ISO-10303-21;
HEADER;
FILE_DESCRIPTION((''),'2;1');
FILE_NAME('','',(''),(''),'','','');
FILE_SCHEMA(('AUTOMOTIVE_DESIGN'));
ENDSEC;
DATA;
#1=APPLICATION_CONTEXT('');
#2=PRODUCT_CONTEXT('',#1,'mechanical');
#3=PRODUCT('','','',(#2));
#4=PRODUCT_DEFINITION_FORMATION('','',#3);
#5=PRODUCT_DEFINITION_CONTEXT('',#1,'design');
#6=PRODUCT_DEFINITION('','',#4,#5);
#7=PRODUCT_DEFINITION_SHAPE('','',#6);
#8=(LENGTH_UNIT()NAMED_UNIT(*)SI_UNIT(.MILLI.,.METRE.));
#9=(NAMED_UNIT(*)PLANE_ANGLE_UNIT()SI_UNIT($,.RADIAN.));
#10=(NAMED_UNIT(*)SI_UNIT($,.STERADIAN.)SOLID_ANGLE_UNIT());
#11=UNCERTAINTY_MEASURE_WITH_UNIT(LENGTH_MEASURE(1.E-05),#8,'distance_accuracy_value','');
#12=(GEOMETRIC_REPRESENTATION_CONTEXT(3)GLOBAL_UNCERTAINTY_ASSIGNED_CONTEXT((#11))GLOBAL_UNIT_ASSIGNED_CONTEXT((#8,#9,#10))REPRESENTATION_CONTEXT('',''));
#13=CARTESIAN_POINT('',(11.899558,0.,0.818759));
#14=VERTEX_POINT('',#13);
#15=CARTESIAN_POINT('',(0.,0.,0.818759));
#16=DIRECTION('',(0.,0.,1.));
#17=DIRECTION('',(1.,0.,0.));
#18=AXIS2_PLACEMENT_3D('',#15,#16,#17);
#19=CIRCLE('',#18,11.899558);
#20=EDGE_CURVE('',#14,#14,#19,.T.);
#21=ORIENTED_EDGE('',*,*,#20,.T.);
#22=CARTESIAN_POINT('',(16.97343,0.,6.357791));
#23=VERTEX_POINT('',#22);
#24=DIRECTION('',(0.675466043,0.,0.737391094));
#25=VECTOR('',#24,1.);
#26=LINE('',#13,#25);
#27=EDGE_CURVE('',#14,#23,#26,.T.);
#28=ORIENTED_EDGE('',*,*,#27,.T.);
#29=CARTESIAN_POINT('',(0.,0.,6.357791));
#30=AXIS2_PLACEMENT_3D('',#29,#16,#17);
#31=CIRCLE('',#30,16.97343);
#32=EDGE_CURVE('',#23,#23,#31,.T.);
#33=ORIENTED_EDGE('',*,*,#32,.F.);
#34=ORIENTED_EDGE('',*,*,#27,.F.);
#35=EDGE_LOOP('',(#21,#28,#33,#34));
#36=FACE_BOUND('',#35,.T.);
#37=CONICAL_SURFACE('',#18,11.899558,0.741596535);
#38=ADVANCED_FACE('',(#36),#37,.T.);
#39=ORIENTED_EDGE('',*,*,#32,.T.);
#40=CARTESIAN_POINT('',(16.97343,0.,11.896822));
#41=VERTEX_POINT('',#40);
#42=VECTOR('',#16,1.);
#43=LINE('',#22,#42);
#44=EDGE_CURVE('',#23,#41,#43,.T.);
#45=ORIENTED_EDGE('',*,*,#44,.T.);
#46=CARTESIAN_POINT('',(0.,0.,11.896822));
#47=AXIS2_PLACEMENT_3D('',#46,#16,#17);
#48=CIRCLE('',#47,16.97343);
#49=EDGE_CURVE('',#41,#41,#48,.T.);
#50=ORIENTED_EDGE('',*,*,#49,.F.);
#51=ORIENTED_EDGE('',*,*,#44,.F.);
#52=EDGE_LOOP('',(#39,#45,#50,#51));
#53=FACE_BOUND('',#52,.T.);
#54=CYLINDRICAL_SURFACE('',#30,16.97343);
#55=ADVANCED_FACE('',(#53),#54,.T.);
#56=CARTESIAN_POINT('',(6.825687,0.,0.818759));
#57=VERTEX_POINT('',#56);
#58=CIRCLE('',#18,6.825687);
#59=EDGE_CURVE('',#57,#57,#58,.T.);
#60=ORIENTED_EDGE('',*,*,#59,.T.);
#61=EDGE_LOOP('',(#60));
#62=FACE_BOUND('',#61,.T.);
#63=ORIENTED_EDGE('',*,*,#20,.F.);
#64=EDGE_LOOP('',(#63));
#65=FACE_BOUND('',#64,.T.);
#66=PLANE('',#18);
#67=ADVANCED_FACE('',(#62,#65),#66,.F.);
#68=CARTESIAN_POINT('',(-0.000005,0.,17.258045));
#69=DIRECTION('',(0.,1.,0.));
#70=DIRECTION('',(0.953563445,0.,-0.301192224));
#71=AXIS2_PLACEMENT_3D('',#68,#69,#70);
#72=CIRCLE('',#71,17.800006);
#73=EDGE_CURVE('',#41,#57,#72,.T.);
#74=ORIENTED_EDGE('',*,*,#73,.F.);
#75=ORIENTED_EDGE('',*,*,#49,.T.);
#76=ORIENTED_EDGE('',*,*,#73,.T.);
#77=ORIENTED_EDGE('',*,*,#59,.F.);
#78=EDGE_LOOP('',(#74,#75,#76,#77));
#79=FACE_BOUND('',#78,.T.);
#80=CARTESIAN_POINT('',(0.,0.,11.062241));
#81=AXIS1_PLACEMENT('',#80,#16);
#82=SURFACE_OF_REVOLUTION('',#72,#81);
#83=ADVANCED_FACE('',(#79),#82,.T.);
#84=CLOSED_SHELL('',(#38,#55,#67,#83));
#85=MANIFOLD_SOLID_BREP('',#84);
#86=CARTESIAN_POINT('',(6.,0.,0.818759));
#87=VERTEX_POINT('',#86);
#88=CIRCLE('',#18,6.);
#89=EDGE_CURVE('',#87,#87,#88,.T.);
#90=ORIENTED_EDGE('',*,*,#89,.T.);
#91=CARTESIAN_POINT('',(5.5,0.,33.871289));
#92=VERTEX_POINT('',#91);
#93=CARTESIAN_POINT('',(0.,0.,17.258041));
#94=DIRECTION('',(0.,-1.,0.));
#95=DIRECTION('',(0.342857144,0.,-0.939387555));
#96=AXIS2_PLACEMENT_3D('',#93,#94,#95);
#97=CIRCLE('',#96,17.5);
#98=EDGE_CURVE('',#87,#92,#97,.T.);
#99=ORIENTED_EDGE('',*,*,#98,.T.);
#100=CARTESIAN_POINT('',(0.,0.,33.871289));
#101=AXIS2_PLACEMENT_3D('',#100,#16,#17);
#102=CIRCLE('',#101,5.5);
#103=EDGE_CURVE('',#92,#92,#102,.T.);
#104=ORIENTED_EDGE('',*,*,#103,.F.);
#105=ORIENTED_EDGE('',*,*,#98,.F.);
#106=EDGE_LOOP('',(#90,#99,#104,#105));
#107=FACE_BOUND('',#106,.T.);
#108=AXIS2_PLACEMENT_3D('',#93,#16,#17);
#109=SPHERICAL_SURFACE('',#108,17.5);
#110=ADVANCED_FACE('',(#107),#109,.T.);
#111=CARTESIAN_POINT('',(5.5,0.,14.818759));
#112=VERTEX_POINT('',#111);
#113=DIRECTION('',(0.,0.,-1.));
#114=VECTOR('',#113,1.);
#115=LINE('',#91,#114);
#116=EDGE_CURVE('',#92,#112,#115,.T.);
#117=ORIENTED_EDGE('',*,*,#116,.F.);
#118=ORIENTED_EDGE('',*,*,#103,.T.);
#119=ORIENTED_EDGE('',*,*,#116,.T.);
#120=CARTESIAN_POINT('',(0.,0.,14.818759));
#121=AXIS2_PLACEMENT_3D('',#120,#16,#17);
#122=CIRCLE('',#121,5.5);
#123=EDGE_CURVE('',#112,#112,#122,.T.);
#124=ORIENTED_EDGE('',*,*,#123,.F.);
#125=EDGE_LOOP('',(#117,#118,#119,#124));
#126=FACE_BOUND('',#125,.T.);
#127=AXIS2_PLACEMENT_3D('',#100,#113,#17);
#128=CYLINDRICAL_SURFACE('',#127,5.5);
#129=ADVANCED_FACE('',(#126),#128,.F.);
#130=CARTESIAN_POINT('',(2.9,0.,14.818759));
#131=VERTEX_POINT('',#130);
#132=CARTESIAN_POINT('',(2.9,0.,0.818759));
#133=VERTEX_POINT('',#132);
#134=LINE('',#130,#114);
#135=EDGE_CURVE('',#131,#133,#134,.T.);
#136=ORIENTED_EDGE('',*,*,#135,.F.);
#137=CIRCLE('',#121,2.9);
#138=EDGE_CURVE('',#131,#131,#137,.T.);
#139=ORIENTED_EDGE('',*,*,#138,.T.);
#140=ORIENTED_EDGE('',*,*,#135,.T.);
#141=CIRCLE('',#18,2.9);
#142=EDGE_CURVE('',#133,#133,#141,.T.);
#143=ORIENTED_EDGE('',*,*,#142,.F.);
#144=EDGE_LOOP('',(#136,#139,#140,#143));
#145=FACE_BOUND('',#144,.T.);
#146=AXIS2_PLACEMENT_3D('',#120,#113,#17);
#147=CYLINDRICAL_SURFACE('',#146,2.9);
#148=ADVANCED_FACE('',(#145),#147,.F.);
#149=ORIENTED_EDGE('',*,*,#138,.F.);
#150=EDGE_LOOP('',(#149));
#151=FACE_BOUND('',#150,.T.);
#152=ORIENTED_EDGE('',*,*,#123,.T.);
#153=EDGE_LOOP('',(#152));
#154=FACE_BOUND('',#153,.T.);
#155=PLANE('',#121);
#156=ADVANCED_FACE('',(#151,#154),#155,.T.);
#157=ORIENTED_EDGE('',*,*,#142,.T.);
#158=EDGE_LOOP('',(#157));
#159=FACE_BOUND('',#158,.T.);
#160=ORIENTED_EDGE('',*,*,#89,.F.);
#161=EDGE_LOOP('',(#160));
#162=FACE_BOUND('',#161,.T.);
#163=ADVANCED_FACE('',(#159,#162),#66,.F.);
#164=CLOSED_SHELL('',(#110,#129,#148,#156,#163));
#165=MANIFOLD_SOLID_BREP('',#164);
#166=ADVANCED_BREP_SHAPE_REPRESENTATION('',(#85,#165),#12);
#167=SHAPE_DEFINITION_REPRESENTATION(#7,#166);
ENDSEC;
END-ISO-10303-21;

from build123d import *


with BuildPart() as f1:
    # F0 (on Front) → F1 (revolve)
    with BuildSketch(Plane.XZ):
        with BuildLine():
            Line((2.9, 14.818759), (2.9, 0.818759))
            Line((2.9, 0.818759), (6, 0.818759))
            ThreePointArc((6, 0.818759), (17.497998, 17.522741), (5.5, 33.871289))
            Line((5.5, 33.871289), (5.5, 14.818759))
            Line((5.5, 14.818759), (2.9, 14.818759))
        make_face()
        with BuildLine():
            ThreePointArc((16.97343, 11.896822), (13.125561, 5.234746), (6.825687, 0.818759))
            Line((6.825687, 0.818759), (11.899558, 0.818759))
            Line((11.899558, 0.818759), (16.97343, 6.357791))
            Line((16.97343, 6.357791), (16.97343, 11.896822))
        make_face()
    revolve(axis=Axis((0, 0, 11.062241), (0, 0, 1)))


solid = f1.part
